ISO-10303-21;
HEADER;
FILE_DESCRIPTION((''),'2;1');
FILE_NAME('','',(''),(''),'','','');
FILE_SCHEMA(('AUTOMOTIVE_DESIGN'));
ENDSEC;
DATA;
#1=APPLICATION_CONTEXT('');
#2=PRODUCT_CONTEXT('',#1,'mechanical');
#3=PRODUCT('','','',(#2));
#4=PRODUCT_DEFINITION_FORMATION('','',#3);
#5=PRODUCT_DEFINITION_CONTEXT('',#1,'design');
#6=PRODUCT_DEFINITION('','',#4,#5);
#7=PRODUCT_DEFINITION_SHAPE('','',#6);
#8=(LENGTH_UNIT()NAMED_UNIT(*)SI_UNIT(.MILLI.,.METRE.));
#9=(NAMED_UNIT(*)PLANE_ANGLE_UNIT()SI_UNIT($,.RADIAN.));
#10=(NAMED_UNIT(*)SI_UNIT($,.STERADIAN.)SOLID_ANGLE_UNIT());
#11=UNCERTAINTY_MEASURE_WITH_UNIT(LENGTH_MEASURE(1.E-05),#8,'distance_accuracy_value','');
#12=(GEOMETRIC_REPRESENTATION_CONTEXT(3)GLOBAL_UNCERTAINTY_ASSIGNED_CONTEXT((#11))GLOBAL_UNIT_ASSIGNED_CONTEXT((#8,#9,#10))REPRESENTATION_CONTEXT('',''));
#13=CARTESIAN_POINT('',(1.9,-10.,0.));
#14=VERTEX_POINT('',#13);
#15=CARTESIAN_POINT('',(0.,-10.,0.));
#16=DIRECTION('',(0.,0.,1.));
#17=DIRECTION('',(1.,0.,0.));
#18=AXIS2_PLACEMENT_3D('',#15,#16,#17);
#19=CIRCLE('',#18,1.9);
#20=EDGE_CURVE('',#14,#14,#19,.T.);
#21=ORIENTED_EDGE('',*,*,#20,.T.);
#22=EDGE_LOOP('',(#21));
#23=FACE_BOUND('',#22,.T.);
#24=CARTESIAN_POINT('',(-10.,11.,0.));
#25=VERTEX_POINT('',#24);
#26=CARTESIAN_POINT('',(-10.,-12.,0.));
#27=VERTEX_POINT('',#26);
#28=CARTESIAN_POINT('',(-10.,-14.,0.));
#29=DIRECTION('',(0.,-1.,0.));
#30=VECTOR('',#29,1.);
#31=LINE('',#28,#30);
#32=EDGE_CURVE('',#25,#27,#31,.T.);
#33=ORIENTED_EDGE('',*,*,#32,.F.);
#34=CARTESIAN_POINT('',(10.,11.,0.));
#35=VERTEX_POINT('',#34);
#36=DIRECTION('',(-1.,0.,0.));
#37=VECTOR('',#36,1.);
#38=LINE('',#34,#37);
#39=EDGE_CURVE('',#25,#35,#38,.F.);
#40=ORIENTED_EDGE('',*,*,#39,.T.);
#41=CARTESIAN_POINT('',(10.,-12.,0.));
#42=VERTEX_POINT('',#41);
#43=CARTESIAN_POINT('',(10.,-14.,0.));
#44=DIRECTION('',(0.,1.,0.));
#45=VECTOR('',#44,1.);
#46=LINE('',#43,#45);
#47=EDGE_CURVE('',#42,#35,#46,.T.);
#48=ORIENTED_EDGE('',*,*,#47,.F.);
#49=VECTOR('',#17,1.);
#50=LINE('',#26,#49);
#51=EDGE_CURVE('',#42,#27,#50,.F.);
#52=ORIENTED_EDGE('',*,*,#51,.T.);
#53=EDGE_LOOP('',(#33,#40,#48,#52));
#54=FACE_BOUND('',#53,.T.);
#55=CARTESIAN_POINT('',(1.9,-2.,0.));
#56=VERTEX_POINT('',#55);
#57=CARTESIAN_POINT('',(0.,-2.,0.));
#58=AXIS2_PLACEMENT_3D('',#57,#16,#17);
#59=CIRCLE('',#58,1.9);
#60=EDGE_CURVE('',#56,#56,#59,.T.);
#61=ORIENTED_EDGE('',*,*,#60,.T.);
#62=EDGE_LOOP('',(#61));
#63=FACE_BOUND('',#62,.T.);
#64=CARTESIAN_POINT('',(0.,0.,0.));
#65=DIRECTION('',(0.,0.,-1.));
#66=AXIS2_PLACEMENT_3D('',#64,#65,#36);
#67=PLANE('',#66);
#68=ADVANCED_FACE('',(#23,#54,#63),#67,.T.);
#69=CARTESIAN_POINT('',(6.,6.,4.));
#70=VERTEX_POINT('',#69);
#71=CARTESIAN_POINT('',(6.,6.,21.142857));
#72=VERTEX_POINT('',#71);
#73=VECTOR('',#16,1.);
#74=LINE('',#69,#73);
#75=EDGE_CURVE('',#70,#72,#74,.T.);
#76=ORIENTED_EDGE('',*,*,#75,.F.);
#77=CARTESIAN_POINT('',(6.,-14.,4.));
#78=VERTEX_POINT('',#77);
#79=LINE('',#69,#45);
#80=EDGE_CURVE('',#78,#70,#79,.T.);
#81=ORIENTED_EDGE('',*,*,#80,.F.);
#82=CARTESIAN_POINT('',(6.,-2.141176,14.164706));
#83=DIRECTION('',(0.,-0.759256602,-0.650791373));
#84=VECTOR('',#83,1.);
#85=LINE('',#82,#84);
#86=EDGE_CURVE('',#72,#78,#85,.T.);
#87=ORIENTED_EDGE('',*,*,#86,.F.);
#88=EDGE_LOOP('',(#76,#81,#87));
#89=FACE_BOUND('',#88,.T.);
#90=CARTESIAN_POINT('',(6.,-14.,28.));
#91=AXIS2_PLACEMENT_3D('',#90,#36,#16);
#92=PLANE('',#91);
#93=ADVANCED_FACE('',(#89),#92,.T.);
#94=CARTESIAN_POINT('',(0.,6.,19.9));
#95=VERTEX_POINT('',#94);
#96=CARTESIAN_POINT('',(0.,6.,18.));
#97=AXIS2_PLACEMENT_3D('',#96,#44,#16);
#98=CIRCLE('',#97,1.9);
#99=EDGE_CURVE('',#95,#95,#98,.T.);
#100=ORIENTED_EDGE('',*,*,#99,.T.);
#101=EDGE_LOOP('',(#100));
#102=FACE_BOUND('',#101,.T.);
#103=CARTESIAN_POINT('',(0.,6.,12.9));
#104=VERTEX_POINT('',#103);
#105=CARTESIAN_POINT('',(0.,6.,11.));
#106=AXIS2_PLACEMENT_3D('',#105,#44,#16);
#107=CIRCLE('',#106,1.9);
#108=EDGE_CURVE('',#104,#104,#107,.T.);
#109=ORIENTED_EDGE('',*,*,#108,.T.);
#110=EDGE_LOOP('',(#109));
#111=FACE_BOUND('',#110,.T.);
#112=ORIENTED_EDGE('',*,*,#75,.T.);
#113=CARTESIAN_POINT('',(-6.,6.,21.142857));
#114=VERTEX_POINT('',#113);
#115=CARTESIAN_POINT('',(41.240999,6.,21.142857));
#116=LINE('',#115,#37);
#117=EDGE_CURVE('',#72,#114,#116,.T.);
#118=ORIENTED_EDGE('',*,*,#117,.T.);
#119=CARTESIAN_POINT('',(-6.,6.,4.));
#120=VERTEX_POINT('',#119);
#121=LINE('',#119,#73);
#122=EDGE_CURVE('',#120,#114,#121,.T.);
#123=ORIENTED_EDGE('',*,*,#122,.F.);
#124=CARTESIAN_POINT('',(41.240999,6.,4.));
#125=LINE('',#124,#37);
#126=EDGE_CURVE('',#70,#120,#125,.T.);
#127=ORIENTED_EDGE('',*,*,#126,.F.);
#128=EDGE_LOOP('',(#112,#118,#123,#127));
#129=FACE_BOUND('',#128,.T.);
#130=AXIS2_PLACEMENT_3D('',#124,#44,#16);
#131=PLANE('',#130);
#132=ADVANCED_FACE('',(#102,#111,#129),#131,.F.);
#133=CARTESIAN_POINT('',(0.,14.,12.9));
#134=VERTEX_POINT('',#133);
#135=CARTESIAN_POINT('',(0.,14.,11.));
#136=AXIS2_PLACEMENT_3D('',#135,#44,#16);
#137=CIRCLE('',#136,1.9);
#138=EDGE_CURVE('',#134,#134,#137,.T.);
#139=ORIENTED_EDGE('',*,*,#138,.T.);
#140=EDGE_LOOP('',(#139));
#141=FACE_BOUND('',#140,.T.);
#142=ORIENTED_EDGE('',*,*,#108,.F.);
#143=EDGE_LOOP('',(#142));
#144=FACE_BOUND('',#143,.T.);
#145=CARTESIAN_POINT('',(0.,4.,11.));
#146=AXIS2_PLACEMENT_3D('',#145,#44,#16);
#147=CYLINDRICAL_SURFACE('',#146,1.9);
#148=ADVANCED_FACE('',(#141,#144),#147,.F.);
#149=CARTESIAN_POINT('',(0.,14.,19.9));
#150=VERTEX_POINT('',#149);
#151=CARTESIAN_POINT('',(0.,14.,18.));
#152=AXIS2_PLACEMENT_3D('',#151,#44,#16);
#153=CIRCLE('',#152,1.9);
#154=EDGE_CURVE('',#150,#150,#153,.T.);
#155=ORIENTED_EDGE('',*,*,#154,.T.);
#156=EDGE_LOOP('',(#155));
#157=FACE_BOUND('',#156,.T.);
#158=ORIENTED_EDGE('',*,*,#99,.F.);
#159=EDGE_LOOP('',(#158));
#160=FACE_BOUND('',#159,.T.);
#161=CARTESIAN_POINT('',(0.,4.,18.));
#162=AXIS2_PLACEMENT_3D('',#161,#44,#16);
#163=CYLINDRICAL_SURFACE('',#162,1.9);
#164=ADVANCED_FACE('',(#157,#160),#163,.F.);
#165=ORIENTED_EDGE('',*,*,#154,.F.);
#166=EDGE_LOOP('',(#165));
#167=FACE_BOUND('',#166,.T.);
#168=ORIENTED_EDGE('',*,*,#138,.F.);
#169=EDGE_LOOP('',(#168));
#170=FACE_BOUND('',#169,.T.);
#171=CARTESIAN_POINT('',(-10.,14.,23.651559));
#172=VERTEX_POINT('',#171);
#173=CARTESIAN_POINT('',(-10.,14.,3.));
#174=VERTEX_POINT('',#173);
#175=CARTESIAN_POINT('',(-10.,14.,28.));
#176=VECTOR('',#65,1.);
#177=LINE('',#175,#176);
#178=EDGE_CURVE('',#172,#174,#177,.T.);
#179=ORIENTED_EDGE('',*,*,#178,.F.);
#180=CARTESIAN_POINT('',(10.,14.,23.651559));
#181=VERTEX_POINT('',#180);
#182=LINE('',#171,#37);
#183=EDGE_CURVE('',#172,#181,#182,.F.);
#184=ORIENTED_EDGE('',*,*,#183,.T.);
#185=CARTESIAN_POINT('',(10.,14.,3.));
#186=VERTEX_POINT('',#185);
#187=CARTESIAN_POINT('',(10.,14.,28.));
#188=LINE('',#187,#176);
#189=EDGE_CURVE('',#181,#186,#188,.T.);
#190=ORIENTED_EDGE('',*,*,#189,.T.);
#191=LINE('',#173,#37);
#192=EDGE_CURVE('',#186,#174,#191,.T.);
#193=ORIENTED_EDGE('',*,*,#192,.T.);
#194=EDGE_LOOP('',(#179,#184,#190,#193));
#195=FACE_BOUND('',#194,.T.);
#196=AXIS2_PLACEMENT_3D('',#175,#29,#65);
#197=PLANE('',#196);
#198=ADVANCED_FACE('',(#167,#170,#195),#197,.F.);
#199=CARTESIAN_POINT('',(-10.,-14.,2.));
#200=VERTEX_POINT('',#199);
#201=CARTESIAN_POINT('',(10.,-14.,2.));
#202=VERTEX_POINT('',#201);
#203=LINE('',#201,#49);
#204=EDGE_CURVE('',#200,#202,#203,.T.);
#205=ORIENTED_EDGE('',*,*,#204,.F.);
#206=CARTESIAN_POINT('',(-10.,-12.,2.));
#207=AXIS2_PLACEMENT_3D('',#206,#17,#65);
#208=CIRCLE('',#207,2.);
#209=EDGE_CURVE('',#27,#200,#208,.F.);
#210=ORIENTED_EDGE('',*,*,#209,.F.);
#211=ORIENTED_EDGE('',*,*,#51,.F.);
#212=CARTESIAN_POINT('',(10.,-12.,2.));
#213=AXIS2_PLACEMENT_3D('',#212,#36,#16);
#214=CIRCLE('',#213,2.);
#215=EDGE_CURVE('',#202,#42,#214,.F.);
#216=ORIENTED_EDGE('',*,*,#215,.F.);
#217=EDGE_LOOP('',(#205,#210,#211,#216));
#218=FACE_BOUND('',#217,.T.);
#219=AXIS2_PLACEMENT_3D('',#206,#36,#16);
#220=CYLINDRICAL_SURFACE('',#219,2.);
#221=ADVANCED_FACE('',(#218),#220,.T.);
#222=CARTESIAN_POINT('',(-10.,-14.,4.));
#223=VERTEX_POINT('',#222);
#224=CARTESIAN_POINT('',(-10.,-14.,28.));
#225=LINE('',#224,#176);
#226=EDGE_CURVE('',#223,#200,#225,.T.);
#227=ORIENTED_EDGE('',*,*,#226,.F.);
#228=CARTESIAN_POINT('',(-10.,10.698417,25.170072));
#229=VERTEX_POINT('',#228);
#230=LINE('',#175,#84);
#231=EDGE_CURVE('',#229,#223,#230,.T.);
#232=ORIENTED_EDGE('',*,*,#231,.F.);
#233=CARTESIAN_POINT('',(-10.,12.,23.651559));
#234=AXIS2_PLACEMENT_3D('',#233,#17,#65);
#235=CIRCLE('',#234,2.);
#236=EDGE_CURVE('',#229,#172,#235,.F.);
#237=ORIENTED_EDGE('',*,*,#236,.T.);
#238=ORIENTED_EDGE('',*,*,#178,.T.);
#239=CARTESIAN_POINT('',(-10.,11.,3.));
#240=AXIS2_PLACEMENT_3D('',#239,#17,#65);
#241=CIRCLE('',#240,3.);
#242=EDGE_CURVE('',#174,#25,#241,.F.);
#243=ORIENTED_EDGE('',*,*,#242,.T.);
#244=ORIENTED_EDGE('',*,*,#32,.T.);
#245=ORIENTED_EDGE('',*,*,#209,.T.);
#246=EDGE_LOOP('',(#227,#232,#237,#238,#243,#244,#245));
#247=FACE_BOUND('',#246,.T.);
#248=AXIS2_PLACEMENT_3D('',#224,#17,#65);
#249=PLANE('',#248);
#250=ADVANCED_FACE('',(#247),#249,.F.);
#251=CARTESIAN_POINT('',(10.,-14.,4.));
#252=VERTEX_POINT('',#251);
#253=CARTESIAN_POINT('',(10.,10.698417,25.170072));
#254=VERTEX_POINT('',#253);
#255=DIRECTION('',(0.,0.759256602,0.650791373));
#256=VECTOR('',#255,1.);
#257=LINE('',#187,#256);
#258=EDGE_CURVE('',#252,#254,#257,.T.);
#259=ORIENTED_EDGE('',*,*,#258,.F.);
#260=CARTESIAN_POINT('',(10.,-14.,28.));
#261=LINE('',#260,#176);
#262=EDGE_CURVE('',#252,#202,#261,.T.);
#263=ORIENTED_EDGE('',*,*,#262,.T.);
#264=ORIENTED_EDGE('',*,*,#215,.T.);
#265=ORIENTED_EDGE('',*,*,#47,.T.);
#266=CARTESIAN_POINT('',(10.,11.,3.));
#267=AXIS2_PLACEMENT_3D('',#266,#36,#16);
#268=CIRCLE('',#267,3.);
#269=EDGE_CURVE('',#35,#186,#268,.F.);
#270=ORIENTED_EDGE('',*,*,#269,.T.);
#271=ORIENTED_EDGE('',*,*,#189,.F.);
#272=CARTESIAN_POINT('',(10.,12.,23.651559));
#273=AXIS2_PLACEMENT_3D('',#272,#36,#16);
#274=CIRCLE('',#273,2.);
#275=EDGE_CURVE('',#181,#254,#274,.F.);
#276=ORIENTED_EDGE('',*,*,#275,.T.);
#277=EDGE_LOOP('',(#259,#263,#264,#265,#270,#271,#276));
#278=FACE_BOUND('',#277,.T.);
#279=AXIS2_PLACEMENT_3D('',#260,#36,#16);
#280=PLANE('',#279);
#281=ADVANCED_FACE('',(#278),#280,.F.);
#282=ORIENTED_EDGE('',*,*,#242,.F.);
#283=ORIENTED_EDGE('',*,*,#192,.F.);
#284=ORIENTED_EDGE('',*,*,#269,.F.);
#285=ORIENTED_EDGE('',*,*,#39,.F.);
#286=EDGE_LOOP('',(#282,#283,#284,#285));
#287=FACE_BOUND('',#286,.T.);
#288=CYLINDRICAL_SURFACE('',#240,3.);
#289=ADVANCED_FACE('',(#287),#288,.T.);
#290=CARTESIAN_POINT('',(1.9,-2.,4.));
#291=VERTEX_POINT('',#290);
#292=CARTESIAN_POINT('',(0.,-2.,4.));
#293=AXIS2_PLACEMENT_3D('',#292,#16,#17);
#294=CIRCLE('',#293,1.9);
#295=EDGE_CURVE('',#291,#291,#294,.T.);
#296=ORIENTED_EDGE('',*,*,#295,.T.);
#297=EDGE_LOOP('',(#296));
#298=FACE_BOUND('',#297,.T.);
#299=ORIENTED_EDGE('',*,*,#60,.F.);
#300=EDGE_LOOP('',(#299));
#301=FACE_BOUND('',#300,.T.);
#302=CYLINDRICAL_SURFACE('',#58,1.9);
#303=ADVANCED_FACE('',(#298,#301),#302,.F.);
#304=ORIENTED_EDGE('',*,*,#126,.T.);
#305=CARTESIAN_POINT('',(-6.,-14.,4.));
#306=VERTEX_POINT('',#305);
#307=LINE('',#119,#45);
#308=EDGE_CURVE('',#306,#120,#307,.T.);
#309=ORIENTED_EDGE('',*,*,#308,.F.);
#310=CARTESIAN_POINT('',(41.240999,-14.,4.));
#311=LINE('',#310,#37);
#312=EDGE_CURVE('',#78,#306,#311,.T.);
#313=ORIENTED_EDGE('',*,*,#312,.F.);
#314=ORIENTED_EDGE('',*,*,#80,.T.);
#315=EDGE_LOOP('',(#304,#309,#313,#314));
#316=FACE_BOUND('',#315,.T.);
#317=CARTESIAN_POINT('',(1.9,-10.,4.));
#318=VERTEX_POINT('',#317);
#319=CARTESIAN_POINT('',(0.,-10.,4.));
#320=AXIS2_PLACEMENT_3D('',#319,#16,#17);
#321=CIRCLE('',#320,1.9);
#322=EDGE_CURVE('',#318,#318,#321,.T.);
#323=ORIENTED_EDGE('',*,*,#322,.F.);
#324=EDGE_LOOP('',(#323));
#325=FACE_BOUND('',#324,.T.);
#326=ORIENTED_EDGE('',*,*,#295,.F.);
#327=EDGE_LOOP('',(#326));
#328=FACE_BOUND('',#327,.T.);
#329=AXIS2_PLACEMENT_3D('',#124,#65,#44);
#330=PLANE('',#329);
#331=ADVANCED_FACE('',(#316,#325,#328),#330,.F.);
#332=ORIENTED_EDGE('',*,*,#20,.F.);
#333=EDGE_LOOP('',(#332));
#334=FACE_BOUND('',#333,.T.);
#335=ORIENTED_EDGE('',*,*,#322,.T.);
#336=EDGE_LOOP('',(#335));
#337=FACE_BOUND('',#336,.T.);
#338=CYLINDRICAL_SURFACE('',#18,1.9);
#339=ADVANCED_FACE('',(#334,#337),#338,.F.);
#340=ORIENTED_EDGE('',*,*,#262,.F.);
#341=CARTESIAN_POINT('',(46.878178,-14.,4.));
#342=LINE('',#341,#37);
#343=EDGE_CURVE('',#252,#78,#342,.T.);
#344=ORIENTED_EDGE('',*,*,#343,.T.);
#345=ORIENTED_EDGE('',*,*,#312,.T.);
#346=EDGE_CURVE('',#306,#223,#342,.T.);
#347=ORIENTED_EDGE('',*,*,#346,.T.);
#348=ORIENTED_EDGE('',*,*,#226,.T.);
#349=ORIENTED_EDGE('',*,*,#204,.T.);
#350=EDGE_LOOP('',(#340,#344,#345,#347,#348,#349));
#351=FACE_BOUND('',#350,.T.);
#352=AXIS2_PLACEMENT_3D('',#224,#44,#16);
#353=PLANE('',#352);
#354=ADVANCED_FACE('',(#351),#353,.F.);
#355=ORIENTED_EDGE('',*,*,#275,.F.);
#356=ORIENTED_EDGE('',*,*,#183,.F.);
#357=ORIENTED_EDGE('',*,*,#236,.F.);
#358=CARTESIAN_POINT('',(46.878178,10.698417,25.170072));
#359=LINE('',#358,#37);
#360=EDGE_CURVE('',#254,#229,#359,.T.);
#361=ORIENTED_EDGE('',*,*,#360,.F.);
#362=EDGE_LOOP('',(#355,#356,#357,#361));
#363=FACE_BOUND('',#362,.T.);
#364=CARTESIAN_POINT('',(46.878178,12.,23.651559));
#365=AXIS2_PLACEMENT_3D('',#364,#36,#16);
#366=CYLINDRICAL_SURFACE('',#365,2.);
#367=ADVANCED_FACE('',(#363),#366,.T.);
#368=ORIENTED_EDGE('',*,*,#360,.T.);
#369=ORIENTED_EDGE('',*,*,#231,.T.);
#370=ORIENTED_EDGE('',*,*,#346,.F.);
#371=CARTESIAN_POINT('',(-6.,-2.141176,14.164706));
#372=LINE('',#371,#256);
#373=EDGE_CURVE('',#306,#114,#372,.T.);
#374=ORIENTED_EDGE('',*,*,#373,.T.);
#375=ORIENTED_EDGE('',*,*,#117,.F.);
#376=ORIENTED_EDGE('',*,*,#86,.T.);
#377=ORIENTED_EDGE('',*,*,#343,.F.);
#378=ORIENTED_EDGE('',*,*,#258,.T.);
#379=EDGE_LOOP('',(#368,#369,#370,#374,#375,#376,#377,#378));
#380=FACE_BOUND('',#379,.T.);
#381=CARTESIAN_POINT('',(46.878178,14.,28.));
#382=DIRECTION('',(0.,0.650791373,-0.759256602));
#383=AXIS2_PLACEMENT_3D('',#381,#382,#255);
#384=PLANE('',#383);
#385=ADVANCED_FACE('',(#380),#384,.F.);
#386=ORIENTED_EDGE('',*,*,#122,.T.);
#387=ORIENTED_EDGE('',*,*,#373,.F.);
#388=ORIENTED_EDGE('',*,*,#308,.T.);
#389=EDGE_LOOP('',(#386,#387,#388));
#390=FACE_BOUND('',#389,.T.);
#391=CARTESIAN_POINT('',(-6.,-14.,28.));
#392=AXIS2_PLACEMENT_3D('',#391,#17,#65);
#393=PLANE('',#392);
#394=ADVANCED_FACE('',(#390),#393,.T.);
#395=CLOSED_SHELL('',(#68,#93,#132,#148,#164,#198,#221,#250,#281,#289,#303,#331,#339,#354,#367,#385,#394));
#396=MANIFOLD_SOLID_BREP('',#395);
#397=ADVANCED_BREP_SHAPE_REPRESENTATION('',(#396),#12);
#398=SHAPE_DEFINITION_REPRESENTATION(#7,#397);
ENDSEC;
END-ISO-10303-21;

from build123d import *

# Parameters (mm, degrees)
SKETCH1_W               = 20
SKETCH1_H               = 28
BOSS_EXTRUDE1_DEPTH     = 28
SKETCH2_W               = 24
SKETCH2_H               = 20
CUT_EXTRUDE1_DEPTH      = 6
CUT_EXTRUDE1_DEPTH_BACK = 6
CUT_EXTRUDE2_DEPTH      = 20
FILLET1_R               = 2
SKETCH4_R               = 1.9
CUT_EXTRUDE3_DEPTH      = 10
SKETCH5_R               = 1.9
CUT_EXTRUDE4_DEPTH      = 5
FILLET2_R               = 2
FILLET3_R               = 3


with BuildPart() as part:
    # Sketch1 → Boss-Extrude1 (new body)
    with BuildSketch(Plane.XY):
        Rectangle(SKETCH1_W, SKETCH1_H)
    extrude(amount=BOSS_EXTRUDE1_DEPTH)

    # Sketch2 → Cut-Extrude1 (cut, two sides)
    with BuildSketch(Plane.ZY) as cut_extrude1_sk:
        with Locations((16, -4)):
            Rectangle(SKETCH2_W, SKETCH2_H)
    extrude(amount=CUT_EXTRUDE1_DEPTH, mode=Mode.SUBTRACT)
    extrude(cut_extrude1_sk.sketch, amount=-CUT_EXTRUDE1_DEPTH_BACK, mode=Mode.SUBTRACT)

    # Sketch3 → Cut-Extrude2 (cut)
    with BuildSketch(Plane.ZY.offset(10)):
        Polygon((28, 14), (4, -14), (28, -14), align=None)
    extrude(amount=-CUT_EXTRUDE2_DEPTH, mode=Mode.SUBTRACT)

    # Fillet1
    fillet1_edges = [part.edges().sort_by_distance(p)[0] for p in [
        (0, 14, 28),
    ]]
    fillet(fillet1_edges, radius=FILLET1_R)

    # Sketch4 → Cut-Extrude3 (cut)
    with BuildSketch(Plane(origin=(0, 14, 0), x_dir=(1, 0, 0), z_dir=(0, 1, 0))):
        with Locations((0, -11)):
            Circle(SKETCH4_R)
        with Locations((0, -18)):
            Circle(SKETCH4_R)
    extrude(amount=-CUT_EXTRUDE3_DEPTH, mode=Mode.SUBTRACT)

    # Sketch5 → Cut-Extrude4 (cut, through all)
    with BuildSketch(Plane.XY.offset(4)):
        with Locations((0, -2)):
            Circle(SKETCH5_R)
        with Locations((0, -10)):
            Circle(SKETCH5_R)
    extrude(amount=-CUT_EXTRUDE4_DEPTH, mode=Mode.SUBTRACT)

    # Fillet2
    fillet2_edges = [part.edges().sort_by_distance(p)[0] for p in [
        (0, -14, 0),
    ]]
    fillet(fillet2_edges, radius=FILLET2_R)

    # Fillet3
    fillet3_edges = [part.edges().sort_by_distance(p)[0] for p in [
        (0, 14, 0),
    ]]
    fillet(fillet3_edges, radius=FILLET3_R)


solid = part.part
